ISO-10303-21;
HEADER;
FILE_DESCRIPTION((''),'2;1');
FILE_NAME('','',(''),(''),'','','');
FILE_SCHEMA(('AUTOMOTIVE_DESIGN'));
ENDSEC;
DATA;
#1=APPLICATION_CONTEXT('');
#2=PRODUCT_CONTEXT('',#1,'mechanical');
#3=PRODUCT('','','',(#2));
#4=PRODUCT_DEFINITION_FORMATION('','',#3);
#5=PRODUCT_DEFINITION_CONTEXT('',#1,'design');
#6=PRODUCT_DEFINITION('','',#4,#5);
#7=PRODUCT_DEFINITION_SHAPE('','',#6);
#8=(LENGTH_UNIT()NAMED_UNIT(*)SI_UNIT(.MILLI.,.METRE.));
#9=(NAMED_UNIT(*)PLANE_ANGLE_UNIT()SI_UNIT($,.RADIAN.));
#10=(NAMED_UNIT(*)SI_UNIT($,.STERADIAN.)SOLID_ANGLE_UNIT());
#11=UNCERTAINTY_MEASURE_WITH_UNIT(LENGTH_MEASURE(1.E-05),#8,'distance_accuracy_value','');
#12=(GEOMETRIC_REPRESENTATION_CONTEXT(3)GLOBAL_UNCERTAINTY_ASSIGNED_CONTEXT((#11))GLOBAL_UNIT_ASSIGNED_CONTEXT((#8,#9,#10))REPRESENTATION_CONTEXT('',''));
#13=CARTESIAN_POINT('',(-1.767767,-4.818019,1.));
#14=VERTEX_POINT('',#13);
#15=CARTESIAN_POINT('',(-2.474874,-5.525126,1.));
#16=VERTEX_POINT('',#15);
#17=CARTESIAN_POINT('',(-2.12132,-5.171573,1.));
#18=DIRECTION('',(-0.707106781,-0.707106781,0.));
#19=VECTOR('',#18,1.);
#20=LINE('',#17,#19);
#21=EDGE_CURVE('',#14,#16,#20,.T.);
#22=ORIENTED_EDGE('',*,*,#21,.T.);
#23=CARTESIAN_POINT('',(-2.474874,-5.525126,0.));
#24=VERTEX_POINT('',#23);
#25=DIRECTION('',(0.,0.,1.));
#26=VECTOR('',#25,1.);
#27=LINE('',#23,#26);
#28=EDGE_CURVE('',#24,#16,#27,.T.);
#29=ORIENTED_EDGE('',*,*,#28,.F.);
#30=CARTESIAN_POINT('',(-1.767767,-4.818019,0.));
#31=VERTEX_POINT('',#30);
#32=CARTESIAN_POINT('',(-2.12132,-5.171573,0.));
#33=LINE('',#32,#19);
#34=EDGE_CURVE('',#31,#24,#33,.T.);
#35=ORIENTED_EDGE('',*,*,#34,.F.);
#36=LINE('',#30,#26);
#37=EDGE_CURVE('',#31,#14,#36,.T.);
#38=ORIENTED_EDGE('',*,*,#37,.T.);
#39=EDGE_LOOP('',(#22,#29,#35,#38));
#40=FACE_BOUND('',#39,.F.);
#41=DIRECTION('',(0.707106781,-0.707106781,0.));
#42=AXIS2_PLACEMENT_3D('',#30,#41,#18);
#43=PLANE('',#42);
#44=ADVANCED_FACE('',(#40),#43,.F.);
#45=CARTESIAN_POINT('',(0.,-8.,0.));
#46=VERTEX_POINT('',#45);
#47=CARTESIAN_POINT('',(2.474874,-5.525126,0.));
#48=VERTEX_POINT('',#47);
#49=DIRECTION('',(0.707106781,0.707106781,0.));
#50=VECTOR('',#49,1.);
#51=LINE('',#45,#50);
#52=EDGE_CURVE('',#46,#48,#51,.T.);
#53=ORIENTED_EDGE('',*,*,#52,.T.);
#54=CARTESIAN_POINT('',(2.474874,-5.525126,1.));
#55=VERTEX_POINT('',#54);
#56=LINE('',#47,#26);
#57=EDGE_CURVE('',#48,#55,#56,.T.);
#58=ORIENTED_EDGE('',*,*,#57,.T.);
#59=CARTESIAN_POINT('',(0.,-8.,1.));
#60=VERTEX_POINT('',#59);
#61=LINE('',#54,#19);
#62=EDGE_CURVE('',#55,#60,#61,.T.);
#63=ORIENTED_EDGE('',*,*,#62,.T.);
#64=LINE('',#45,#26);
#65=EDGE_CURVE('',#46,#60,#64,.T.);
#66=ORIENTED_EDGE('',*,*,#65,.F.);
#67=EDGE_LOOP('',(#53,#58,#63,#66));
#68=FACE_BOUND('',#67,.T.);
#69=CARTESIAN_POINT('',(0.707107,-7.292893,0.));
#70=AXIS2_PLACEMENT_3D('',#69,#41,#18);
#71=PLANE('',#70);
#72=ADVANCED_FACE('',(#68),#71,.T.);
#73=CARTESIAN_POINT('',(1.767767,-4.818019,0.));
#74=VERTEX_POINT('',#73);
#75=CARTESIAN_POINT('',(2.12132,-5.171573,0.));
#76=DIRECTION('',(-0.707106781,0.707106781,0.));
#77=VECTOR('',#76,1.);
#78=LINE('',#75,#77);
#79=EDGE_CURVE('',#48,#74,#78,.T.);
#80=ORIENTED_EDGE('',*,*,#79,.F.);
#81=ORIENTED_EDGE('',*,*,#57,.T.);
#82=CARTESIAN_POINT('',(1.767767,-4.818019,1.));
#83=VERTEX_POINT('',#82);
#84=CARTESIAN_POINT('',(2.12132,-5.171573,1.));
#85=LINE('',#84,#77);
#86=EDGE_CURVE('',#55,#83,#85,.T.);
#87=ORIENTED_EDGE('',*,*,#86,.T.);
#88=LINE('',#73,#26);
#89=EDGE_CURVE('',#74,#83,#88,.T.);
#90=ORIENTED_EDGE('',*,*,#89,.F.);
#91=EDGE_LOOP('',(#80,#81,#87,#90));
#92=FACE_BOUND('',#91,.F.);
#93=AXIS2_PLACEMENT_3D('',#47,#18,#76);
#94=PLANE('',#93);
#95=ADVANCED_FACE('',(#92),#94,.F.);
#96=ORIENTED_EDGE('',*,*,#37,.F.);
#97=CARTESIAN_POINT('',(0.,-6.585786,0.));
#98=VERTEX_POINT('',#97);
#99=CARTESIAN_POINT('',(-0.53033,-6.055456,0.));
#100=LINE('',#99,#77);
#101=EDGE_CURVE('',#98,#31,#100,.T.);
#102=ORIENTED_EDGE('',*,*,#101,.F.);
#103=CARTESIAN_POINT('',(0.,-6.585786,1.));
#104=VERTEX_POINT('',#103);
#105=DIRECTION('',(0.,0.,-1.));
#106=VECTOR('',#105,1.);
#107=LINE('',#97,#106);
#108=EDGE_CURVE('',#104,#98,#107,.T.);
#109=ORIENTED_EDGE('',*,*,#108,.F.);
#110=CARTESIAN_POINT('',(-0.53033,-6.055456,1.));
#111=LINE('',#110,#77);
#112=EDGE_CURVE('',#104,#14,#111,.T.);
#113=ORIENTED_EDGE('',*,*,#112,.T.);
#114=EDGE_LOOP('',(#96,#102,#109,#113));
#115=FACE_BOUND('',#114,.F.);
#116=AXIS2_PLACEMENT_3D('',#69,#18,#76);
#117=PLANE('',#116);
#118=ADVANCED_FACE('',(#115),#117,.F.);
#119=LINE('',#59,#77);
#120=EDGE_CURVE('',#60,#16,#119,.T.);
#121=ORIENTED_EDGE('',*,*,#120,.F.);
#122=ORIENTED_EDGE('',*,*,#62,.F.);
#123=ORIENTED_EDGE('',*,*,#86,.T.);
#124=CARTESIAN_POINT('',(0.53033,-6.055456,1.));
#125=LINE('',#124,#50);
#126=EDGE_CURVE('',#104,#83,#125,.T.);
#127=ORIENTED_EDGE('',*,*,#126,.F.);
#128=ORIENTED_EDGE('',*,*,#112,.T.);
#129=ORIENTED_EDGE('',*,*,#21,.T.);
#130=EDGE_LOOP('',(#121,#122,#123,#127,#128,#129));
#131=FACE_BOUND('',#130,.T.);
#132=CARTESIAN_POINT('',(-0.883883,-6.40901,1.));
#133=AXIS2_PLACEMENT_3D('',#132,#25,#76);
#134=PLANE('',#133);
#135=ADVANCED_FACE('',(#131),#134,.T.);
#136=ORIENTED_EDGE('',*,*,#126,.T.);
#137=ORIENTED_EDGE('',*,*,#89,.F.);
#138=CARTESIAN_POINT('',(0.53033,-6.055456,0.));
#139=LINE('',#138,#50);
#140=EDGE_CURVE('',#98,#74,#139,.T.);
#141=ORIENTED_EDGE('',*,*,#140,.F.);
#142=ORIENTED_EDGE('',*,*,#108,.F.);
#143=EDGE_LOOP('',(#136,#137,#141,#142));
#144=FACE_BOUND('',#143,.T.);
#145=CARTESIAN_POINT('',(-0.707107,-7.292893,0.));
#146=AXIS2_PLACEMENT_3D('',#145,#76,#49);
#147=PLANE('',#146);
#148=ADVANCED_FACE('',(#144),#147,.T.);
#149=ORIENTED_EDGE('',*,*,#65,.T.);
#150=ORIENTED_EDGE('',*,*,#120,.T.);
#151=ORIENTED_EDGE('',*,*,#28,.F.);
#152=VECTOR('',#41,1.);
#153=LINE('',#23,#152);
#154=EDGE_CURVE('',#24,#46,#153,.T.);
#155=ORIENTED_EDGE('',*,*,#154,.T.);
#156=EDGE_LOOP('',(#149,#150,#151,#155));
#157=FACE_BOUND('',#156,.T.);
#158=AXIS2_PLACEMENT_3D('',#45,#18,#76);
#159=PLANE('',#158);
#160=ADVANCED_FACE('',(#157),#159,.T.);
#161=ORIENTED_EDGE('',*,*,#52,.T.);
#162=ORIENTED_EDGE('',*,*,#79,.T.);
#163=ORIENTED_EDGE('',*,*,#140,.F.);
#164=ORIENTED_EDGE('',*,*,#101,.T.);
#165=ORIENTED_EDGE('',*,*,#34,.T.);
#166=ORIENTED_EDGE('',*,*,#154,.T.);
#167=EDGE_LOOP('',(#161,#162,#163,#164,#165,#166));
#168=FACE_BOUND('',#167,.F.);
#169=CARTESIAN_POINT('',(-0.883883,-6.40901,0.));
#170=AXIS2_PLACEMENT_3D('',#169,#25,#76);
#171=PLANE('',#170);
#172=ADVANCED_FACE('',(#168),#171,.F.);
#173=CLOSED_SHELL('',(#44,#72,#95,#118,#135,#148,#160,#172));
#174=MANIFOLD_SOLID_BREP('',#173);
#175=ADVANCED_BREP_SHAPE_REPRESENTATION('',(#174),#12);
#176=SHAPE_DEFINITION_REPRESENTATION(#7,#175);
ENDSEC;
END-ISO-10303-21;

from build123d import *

# Parameters (mm, degrees)
BOX177_W                  = 3.5
BOX177_H                  = 1
BOX177_DEPTH              = 1
BOX176_W                  = 3.5
BOX176_H                  = 1
BOX176_DEPTH              = 1
FUSION034_PLACEMENT_ANGLE = 45


with BuildPart() as cube145:
    # Box177 → Box177 (new body)
    with BuildSketch(Plane.XY):
        with Locations((1.75, 0.5)):
            Rectangle(BOX177_W, BOX177_H)
    extrude(amount=BOX177_DEPTH)


with BuildPart() as smallarrowled010:
    # Box176 → Box176 (new body)
    with BuildSketch(Plane(origin=(1, 0, 0), x_dir=(0, 1, 0), z_dir=(0, 0, 1))):
        with Locations((1.75, 0.5)):
            Rectangle(BOX176_W, BOX176_H)
    extrude(amount=BOX176_DEPTH)

    # Fusion034: union Cube145
    add(cube145.part)


with BuildPart() as smallarrowled010_1:
    # Fusion034 placement: moved
    add(smallarrowled010.part.moved(Location((0, -8, 0))).rotate(Axis((0, -8, 0), (0, 0, 1)), FUSION034_PLACEMENT_ANGLE))


solid = smallarrowled010_1.part
